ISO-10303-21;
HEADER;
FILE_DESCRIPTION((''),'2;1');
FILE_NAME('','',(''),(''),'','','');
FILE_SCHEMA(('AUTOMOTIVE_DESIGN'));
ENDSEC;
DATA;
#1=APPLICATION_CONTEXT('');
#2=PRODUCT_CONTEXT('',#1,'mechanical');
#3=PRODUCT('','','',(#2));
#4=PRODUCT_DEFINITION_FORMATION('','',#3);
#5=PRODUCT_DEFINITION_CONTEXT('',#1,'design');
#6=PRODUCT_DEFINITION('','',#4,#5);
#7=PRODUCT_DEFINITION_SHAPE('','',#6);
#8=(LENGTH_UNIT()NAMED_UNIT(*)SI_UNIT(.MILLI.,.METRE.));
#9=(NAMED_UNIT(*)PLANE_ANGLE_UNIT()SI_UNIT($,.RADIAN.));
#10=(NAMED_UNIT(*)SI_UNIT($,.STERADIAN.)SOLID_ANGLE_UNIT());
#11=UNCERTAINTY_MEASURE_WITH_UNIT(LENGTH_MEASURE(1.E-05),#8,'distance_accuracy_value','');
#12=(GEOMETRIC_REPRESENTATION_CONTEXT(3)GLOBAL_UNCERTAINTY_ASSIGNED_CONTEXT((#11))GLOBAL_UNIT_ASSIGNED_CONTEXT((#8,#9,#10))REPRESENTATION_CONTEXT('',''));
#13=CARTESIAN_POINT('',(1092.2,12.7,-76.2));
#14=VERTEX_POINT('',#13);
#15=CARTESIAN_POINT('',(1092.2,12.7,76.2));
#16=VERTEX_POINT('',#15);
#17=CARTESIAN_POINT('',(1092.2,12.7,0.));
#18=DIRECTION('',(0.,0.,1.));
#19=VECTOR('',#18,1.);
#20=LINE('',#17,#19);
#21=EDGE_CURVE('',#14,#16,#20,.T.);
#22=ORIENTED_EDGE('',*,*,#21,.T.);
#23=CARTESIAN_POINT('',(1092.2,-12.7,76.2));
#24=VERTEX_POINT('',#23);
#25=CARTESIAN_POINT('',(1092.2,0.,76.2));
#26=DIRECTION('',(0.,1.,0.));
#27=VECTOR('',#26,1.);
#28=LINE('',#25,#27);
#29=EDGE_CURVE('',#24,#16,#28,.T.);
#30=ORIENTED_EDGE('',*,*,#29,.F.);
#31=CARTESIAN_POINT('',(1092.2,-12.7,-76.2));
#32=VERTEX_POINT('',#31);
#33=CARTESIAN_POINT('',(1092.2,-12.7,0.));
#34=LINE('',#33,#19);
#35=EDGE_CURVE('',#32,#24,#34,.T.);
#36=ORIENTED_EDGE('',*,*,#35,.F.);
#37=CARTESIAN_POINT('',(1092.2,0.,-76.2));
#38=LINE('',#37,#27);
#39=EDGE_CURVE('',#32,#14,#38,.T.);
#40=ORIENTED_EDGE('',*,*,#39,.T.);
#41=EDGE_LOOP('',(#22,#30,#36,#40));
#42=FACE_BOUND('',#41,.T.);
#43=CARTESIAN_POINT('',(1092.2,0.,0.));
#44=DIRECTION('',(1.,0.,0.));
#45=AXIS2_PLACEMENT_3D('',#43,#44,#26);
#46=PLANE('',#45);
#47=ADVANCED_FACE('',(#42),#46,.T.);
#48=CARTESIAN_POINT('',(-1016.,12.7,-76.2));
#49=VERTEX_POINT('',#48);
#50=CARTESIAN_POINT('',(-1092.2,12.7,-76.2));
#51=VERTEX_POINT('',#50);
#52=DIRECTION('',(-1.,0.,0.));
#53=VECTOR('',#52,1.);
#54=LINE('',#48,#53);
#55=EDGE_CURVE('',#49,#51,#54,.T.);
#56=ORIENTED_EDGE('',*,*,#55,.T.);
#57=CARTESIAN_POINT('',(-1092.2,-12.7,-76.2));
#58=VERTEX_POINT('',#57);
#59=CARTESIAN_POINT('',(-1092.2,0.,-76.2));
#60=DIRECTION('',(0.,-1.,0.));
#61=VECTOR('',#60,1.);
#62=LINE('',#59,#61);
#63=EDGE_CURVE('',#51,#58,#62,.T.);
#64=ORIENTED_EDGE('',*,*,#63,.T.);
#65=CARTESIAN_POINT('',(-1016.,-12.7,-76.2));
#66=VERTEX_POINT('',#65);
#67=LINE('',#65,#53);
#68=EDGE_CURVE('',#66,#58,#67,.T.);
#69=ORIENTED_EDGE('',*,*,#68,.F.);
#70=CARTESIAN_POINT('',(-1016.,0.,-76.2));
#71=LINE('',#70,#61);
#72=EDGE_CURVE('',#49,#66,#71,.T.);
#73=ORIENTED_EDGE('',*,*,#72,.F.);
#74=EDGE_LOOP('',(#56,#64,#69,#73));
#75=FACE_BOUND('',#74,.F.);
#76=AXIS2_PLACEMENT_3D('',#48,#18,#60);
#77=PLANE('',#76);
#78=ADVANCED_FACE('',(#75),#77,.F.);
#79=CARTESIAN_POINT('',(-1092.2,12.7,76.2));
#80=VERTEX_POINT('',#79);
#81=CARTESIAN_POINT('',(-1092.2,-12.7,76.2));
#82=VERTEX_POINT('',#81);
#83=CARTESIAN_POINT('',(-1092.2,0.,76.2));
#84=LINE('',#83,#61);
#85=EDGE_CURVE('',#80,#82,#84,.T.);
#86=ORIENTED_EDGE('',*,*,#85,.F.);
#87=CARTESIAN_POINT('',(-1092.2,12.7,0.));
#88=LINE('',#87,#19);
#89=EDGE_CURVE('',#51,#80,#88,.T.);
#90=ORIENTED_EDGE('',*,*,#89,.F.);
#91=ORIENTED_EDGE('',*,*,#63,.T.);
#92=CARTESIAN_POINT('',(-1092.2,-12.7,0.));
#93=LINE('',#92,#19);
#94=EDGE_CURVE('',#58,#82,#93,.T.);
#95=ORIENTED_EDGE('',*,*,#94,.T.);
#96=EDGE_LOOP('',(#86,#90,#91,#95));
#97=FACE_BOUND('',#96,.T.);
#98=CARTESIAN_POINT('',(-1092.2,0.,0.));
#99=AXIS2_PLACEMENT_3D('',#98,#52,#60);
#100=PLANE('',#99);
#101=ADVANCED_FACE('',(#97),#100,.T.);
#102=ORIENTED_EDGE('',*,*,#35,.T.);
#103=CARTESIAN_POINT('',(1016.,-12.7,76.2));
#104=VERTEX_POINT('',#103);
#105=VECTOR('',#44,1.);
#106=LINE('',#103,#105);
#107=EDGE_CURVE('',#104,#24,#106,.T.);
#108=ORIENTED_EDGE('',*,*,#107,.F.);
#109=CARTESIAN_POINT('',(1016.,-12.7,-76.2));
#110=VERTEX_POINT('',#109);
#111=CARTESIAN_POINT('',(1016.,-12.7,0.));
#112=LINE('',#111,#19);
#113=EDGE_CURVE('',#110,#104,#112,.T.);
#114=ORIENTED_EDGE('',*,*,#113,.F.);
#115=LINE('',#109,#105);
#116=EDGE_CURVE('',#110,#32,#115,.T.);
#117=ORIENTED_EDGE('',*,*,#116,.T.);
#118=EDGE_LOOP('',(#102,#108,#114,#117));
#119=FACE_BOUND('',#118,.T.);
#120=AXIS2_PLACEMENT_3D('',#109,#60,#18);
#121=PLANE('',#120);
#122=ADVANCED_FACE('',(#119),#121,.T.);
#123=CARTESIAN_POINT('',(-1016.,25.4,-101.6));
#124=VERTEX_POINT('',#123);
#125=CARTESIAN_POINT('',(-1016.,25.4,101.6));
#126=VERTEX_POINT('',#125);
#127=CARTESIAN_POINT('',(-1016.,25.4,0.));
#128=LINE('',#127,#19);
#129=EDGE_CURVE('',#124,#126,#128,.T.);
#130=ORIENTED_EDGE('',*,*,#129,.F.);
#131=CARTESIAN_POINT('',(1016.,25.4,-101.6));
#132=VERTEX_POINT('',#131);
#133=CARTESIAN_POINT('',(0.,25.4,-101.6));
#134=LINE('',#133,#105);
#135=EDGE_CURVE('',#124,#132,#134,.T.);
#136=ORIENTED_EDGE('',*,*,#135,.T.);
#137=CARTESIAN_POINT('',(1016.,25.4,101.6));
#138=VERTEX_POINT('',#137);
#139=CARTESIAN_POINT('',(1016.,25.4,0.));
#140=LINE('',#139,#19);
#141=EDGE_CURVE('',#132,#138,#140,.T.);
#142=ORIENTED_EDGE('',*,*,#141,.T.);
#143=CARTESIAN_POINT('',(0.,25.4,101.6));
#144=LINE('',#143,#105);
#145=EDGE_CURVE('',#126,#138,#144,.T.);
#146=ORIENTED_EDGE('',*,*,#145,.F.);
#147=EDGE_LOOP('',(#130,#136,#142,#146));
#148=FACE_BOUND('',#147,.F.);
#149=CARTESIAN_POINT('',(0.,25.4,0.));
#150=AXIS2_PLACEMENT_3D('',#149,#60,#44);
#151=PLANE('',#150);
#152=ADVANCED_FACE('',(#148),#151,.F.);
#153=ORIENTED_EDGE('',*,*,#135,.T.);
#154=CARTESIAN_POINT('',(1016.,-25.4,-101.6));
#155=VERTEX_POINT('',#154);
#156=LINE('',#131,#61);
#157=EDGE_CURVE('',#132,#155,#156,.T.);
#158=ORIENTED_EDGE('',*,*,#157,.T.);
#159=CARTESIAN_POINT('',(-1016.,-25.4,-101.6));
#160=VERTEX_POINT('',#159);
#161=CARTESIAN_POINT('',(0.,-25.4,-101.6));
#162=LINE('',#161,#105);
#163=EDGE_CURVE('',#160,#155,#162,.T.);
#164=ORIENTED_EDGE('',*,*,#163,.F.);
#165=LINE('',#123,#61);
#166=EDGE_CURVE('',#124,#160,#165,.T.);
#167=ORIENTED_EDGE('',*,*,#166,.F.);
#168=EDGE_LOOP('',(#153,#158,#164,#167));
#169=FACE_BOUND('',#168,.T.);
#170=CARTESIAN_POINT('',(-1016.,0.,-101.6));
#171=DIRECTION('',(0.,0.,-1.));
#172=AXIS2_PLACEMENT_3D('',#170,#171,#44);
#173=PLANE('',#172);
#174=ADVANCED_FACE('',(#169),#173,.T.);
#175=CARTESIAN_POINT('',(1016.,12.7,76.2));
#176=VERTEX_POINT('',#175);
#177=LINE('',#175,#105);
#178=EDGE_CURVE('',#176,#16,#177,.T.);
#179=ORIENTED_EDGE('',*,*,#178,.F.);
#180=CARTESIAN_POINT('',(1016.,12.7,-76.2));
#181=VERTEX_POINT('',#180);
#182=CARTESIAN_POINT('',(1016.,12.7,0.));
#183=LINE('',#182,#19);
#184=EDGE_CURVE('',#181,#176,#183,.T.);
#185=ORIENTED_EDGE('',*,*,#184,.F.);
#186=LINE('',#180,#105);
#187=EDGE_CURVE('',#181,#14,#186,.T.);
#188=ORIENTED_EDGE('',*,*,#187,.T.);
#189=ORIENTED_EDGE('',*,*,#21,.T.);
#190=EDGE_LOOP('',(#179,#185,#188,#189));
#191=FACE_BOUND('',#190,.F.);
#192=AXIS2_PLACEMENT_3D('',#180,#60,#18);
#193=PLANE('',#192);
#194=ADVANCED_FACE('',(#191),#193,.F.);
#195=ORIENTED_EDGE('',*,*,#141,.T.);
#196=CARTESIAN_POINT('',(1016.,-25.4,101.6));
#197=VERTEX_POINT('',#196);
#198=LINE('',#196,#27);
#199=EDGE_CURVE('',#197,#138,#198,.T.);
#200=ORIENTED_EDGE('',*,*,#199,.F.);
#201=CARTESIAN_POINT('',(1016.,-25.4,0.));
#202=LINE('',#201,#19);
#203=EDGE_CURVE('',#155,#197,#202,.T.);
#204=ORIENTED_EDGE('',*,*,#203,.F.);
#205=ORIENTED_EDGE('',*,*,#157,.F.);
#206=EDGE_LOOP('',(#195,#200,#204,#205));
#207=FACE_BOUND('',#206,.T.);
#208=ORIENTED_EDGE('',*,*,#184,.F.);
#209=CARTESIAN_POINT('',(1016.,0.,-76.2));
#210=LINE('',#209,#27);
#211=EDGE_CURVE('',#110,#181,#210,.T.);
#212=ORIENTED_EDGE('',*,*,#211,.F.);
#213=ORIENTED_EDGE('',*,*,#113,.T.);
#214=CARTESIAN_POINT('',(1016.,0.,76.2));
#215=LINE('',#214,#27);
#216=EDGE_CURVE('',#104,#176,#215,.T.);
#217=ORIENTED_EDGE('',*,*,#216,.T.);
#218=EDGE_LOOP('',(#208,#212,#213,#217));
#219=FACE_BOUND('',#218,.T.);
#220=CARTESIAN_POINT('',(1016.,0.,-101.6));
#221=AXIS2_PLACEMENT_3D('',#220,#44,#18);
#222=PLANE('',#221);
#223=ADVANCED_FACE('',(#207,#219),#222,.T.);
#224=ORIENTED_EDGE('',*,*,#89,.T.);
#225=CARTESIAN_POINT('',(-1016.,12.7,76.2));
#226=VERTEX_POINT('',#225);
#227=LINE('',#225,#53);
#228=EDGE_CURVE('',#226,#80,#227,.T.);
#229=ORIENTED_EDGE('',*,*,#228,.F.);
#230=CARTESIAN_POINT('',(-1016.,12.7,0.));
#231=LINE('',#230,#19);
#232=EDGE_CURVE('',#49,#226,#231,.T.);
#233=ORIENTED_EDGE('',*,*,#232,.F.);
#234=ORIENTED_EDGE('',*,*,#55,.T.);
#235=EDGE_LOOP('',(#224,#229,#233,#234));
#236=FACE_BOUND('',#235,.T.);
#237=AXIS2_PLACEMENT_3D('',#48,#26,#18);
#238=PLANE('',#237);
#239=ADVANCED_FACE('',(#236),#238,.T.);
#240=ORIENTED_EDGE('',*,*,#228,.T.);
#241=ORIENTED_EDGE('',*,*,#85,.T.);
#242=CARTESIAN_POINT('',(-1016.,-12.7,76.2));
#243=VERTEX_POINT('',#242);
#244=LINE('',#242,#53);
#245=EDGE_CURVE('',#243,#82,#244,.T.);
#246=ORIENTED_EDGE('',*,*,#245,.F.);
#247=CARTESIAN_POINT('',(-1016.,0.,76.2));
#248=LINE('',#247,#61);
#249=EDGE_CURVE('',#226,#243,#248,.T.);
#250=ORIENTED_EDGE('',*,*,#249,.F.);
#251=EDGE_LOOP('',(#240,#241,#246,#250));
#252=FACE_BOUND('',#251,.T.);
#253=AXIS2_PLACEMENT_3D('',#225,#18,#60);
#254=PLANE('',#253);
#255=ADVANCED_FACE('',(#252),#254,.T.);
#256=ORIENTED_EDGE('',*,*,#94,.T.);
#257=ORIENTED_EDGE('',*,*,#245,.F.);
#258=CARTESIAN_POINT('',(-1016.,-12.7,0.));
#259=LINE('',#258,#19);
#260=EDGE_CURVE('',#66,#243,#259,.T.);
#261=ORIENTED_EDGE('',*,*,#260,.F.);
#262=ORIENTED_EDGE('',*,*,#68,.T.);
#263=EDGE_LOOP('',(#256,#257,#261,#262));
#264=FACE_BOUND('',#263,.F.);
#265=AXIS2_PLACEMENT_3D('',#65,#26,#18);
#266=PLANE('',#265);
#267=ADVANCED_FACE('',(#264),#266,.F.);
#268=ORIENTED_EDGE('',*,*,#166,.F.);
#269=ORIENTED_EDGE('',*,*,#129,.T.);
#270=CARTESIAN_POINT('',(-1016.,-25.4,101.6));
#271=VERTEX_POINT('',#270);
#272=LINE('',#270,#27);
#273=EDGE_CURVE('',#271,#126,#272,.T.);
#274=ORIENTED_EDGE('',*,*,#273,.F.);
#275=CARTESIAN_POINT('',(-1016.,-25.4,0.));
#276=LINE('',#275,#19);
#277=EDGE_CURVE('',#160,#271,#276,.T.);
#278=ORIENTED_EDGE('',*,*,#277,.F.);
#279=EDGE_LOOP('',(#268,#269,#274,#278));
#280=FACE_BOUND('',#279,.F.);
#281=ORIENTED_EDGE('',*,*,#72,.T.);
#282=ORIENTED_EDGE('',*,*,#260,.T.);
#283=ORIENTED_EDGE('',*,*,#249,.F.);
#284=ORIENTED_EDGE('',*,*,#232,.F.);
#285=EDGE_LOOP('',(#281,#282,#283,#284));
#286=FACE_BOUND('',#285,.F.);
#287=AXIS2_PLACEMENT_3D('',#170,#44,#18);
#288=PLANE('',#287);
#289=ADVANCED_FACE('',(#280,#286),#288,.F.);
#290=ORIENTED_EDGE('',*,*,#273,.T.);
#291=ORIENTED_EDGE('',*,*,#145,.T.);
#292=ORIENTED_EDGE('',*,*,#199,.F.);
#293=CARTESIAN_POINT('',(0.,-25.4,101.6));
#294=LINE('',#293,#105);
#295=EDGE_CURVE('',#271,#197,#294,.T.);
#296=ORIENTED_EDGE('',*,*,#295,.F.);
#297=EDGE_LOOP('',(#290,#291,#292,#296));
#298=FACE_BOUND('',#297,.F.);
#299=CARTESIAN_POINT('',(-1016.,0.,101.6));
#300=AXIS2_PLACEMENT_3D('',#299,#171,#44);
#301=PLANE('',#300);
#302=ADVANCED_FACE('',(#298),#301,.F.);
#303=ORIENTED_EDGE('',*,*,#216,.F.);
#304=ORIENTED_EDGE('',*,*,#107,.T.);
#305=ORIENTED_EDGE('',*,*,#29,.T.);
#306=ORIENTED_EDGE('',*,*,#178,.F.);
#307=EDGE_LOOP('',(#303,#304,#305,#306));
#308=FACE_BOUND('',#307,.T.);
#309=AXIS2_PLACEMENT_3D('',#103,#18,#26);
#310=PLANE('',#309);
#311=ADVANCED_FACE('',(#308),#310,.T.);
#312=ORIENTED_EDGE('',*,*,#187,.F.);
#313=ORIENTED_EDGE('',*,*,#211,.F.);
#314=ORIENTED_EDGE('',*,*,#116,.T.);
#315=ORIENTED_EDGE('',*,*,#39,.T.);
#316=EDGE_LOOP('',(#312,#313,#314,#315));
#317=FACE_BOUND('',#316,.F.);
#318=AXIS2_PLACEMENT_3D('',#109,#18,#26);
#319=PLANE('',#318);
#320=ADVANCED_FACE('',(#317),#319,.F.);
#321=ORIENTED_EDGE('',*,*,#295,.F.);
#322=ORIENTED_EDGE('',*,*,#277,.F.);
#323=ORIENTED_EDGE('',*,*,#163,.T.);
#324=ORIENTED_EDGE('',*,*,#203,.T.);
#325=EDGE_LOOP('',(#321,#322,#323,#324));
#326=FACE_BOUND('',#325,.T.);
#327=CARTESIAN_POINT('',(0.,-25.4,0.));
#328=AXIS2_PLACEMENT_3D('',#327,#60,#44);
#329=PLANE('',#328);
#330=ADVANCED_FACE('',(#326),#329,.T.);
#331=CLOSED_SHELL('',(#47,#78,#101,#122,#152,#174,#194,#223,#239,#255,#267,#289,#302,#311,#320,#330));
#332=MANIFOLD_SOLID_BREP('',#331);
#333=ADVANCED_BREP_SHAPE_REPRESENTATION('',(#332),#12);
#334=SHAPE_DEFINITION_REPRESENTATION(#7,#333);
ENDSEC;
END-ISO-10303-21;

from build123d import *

# Parameters (mm, degrees)
F0_W          = 2032
F0_H          = 203.2
F1_DEPTH      = 25.4
F1_DEPTH_BACK = 25.4
F2_W          = 25.4
F2_H          = 152.4
F3_DEPTH      = 76.2
F4_W          = 25.4
F4_H          = 152.4
F5_DEPTH      = 76.2


with BuildPart() as f1:
    # F0 (on Front) → F1 (new body, two sides)
    with BuildSketch(Plane.XZ) as f1_sk:
        Rectangle(F0_W, F0_H)
    extrude(amount=F1_DEPTH)
    extrude(f1_sk.sketch, amount=-F1_DEPTH_BACK)

    # F2 (on face) → F3 (join)
    with BuildSketch(Plane.YZ.offset(1016)):
        Rectangle(F2_W, F2_H)
    extrude(amount=F3_DEPTH)

    # F4 (on face) → F5 (join)
    with BuildSketch(Plane(origin=(-1016, 0, 0), x_dir=(0, -1, 0), z_dir=(-1, 0, 0))):
        Rectangle(F4_W, F4_H)
    extrude(amount=F5_DEPTH)


solid = f1.part
